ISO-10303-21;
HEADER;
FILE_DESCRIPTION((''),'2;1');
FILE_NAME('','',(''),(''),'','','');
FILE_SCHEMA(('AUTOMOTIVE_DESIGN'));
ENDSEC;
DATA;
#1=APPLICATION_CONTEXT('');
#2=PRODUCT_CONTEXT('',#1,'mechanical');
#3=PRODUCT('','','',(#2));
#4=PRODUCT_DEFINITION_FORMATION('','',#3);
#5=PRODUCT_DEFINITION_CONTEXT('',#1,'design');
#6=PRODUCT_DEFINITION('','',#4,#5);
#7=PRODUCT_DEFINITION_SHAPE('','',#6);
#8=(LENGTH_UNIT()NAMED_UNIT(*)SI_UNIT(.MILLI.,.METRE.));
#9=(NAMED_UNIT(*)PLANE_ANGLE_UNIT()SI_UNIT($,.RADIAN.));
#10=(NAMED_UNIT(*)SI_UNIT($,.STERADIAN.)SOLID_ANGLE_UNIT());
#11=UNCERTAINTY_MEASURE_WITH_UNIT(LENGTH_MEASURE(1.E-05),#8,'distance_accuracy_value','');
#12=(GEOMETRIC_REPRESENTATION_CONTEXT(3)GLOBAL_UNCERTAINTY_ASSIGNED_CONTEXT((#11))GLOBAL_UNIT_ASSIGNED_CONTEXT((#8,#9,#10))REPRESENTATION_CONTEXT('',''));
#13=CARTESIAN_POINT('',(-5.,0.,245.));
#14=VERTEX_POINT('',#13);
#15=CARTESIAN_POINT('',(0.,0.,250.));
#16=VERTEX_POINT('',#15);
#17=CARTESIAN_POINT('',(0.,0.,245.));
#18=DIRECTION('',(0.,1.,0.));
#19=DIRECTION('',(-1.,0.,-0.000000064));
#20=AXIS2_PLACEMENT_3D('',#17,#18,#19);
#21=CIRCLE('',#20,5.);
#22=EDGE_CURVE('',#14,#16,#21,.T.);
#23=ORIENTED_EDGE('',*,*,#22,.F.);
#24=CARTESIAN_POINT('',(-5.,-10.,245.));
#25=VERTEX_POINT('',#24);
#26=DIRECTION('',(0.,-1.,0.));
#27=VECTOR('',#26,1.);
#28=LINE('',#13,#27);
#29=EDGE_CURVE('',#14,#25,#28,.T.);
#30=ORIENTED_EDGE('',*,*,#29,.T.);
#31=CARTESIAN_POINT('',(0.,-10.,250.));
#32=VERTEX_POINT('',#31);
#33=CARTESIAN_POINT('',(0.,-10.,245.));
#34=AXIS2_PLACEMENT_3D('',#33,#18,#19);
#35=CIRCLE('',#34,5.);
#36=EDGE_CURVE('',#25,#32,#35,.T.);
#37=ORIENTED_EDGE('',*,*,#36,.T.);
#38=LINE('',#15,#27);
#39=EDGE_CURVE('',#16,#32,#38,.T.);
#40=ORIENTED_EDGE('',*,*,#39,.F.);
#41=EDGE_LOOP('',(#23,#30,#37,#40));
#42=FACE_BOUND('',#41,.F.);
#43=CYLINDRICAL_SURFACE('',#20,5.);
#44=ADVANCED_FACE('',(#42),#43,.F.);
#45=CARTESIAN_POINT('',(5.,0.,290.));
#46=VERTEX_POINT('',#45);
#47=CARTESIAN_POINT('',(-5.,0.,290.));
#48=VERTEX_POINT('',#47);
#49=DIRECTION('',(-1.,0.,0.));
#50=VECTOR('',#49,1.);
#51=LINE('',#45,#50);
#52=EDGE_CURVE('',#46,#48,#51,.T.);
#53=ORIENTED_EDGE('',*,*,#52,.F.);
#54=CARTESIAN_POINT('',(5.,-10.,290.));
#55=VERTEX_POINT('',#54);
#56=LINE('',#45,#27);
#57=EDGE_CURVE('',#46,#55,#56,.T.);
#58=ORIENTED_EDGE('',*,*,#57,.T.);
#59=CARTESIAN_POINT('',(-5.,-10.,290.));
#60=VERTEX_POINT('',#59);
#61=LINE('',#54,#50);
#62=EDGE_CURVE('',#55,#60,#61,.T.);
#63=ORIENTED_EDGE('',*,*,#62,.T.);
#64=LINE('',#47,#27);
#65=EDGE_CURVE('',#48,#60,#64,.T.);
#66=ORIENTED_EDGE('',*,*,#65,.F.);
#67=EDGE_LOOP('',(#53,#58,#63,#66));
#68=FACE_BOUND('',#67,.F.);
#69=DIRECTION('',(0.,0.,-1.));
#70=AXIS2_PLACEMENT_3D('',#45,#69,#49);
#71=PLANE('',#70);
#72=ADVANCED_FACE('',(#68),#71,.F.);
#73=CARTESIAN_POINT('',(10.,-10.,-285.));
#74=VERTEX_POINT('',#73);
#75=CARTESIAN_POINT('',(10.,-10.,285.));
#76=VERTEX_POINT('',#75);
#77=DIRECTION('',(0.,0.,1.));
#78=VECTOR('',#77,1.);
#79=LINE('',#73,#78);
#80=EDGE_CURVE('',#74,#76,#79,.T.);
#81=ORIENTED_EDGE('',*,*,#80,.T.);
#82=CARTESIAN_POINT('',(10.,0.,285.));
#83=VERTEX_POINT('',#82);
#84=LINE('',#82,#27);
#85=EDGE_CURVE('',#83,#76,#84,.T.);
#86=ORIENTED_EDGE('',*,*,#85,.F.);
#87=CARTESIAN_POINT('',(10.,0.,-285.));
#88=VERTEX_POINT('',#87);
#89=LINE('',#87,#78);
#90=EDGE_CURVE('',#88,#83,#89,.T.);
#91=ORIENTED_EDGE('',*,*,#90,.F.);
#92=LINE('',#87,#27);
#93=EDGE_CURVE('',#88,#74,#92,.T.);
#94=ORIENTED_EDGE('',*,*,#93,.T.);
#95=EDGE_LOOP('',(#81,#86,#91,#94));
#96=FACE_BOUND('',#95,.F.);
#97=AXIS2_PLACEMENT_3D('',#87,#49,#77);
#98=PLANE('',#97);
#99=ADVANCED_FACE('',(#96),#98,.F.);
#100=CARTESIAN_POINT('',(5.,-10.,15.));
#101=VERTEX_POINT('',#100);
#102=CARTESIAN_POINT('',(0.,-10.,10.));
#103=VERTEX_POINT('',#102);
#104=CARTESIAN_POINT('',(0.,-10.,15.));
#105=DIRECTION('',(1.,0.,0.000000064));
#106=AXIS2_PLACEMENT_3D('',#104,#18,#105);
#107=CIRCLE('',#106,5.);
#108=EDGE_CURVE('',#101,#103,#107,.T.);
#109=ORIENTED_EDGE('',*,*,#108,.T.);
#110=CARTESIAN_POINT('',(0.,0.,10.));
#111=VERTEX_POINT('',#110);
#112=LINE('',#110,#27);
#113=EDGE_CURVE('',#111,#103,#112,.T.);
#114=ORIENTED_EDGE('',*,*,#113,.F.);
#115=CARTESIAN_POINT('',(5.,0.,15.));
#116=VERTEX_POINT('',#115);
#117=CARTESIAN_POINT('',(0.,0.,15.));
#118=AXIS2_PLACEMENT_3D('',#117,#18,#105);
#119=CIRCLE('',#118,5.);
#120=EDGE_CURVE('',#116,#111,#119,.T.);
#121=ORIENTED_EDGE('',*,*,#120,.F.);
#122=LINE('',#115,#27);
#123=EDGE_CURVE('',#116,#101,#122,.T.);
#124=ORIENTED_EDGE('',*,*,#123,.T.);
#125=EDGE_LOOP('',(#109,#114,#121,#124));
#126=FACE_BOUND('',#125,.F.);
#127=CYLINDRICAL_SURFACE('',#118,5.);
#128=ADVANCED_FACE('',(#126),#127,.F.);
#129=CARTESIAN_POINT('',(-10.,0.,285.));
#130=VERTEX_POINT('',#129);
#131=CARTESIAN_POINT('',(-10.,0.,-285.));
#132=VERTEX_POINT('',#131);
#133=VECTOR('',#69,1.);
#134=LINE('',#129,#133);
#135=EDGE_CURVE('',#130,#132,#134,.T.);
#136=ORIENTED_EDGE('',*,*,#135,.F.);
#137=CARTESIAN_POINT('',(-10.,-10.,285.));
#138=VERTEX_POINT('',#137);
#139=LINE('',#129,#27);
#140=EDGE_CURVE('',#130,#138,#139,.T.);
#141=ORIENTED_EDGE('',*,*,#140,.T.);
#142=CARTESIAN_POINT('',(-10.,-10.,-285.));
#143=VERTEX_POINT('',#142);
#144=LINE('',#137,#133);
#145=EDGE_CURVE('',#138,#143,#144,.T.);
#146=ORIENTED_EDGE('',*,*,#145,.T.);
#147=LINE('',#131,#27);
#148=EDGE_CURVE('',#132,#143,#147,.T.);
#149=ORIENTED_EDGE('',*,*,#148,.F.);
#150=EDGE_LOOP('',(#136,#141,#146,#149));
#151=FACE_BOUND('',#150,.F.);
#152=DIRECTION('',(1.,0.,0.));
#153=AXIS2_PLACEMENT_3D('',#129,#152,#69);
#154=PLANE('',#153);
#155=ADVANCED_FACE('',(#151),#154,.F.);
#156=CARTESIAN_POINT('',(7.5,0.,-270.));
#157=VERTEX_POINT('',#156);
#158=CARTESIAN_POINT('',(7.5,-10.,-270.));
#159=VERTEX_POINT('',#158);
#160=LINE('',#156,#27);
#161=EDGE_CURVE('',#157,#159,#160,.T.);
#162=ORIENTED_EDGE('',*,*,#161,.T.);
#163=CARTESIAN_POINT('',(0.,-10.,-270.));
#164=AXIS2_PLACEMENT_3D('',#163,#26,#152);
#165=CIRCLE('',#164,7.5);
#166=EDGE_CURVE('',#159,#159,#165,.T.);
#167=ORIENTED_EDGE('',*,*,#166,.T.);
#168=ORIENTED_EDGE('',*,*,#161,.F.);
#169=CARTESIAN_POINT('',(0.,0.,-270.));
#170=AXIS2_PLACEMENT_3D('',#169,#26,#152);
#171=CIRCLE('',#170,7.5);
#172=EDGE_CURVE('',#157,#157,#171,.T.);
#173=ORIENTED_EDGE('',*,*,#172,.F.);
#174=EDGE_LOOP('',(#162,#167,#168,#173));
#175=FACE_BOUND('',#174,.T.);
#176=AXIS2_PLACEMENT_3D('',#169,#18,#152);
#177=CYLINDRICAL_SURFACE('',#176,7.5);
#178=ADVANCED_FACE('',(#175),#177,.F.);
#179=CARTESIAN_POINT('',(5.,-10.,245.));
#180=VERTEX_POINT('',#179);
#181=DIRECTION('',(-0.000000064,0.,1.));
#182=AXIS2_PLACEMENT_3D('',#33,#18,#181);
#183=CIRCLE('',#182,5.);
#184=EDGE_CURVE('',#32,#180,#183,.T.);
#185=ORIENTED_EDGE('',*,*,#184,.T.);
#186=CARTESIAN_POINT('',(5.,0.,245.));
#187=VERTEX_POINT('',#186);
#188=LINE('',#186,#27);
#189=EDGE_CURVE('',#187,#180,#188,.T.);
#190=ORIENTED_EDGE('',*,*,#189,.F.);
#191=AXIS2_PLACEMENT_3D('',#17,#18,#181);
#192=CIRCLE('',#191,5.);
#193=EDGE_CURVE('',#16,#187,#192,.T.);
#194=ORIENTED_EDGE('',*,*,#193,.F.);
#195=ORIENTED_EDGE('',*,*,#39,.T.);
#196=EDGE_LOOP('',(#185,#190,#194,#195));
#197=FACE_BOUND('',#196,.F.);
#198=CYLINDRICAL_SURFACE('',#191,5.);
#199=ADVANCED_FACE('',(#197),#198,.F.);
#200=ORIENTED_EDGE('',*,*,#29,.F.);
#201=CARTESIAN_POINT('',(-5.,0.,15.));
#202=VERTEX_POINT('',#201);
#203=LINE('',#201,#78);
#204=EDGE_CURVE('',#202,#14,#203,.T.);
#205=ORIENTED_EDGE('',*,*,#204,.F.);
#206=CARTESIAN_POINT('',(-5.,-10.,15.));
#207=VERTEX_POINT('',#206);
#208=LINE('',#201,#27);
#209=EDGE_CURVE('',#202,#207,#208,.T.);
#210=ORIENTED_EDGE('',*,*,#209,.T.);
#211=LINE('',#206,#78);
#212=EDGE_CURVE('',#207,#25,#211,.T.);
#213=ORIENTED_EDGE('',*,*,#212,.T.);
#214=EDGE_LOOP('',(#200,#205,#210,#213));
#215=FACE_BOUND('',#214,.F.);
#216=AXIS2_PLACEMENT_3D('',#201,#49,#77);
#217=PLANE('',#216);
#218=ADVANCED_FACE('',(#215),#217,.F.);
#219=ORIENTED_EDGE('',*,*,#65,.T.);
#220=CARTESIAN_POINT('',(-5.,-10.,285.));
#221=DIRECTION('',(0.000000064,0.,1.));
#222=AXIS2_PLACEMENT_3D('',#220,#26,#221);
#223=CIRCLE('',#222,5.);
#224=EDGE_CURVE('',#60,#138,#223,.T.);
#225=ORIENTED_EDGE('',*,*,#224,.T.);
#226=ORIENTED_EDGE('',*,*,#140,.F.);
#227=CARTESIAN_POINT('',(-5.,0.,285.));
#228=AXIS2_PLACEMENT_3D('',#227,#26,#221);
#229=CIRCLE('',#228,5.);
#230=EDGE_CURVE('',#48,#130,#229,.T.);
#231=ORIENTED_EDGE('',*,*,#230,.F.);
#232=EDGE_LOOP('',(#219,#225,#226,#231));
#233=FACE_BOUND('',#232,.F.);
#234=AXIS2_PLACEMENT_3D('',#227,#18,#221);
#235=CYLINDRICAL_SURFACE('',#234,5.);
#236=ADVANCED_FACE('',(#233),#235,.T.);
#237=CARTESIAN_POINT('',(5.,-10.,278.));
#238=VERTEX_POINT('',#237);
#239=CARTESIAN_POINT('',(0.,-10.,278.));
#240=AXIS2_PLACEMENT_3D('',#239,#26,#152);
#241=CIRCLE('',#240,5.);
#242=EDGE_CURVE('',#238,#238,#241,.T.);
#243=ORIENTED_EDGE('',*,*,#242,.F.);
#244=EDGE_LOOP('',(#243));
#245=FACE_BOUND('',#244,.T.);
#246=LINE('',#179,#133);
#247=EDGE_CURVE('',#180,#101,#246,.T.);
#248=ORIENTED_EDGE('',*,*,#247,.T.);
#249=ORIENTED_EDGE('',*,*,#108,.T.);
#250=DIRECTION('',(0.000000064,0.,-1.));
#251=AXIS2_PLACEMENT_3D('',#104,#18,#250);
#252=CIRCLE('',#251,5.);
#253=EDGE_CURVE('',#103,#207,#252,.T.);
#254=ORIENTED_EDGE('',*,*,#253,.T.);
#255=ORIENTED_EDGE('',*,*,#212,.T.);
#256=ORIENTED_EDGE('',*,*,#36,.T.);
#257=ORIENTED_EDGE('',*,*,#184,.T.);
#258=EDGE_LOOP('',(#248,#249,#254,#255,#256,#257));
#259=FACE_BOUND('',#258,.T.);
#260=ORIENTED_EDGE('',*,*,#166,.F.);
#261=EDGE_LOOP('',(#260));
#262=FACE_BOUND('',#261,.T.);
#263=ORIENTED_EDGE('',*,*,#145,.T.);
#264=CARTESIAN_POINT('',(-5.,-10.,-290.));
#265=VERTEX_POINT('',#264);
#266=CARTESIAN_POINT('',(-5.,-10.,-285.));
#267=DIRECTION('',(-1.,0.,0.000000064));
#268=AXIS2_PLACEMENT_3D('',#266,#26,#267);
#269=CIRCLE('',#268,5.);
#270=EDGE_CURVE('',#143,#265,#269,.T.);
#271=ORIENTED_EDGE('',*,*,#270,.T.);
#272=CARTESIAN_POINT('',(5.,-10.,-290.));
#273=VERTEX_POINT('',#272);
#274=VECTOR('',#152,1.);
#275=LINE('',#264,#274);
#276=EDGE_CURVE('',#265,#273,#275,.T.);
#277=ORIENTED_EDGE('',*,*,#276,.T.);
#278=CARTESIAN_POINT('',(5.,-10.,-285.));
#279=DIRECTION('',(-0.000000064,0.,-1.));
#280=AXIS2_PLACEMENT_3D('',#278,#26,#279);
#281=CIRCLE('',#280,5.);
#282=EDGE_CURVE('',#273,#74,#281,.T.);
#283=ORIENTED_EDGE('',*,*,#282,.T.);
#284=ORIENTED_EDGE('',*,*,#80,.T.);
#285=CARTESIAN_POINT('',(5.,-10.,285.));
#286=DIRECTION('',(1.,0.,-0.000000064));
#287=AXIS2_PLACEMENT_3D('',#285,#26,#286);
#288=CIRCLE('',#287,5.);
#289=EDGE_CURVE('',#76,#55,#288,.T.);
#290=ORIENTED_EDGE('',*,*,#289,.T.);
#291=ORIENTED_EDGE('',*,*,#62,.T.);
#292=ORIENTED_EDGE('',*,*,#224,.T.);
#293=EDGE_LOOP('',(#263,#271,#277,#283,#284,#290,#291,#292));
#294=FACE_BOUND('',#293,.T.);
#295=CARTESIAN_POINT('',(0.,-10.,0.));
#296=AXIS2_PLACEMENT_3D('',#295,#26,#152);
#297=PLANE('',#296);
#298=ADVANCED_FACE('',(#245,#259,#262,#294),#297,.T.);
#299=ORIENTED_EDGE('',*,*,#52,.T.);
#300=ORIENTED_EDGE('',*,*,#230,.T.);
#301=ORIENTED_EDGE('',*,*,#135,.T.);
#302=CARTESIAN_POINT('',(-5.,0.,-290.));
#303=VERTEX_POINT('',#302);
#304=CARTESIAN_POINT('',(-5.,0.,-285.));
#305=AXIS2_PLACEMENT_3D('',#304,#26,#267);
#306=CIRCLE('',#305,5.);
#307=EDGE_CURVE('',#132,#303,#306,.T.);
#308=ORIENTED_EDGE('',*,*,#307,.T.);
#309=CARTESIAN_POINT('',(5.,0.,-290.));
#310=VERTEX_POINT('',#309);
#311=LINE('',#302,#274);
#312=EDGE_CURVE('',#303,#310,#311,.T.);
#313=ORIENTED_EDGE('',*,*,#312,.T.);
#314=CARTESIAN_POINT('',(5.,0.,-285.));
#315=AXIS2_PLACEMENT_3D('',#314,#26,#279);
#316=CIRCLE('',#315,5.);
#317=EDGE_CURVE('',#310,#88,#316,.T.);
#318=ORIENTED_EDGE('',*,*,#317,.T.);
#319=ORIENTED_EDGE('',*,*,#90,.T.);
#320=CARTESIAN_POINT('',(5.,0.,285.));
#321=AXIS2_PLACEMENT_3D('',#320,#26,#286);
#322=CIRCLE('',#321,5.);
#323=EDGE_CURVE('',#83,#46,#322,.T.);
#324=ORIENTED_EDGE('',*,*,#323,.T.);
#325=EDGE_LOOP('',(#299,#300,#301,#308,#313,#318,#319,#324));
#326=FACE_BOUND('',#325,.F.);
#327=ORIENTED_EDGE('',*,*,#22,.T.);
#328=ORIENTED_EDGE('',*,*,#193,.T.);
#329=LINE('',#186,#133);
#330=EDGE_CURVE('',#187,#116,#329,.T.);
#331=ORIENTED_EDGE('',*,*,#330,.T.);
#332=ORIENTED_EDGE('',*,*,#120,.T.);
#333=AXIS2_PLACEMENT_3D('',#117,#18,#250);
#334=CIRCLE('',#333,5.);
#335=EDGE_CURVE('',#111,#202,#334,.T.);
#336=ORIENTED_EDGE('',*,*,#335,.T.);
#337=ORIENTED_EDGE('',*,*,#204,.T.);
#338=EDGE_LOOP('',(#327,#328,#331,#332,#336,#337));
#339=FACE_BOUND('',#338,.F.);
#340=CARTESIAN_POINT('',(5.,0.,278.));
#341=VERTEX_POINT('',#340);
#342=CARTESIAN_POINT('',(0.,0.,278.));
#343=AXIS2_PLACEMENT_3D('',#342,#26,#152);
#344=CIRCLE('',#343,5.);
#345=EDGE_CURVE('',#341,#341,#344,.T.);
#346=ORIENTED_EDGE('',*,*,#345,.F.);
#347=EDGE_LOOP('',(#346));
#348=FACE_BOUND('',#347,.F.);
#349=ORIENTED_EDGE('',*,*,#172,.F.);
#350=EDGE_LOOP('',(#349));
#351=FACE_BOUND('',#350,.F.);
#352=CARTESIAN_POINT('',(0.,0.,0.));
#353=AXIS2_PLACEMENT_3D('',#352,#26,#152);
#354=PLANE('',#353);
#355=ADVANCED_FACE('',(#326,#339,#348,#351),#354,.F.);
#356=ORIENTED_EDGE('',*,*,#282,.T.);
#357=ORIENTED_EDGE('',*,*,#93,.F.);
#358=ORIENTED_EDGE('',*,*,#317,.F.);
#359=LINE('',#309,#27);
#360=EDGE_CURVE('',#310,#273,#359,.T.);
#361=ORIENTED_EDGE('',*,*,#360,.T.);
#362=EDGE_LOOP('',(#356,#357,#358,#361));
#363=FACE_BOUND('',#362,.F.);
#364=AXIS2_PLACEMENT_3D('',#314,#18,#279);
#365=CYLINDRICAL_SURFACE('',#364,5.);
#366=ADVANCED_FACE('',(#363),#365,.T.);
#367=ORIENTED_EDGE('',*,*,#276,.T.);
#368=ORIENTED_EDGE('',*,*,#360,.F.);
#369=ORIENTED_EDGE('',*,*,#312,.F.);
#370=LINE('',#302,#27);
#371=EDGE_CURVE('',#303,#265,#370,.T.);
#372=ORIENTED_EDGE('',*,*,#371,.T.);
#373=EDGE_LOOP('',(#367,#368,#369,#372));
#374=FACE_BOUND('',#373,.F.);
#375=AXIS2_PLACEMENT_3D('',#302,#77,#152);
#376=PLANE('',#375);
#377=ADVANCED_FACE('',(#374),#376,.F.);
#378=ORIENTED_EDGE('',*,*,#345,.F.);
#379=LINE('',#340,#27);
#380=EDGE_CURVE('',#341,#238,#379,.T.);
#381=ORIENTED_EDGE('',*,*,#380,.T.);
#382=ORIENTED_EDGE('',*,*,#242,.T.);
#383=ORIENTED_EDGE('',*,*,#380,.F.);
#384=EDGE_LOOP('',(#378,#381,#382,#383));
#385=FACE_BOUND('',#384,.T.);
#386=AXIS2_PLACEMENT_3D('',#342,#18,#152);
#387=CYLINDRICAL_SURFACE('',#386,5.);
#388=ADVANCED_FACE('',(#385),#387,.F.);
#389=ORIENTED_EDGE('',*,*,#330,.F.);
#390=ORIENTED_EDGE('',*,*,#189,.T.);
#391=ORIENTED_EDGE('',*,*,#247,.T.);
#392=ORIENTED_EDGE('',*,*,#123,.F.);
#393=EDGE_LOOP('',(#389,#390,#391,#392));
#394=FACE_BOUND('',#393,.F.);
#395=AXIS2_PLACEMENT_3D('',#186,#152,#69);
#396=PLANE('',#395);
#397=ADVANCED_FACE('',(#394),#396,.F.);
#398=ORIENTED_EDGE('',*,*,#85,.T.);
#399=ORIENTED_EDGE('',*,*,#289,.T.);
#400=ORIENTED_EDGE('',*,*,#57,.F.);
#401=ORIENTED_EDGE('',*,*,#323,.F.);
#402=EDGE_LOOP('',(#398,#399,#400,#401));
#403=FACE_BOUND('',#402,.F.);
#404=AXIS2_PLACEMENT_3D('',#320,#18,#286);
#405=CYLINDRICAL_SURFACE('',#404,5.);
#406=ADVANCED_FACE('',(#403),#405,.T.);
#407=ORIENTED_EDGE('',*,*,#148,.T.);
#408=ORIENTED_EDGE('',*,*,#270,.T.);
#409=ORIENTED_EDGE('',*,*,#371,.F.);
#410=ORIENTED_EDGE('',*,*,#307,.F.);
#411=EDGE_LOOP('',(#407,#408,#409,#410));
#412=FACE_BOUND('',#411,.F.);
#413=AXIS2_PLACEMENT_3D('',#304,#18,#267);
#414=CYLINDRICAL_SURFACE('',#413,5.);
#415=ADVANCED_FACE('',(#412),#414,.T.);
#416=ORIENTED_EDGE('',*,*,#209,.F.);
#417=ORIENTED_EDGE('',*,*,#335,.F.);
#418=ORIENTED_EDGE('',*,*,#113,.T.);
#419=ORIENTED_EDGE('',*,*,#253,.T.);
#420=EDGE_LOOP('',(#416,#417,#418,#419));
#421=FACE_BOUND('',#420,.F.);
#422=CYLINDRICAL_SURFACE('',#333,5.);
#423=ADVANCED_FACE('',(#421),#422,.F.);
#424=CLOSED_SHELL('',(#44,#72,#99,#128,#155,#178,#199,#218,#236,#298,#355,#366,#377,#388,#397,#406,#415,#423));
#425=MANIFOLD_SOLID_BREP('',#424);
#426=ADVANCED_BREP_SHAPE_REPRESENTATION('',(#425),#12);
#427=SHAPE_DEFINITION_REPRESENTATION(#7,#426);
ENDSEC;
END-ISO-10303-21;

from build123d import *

# Parameters (mm, degrees)
F0_R     = 7.5
F0_R_2   = 5
F1_DEPTH = 10


with BuildPart() as f1:
    # F0 (on Front) → F1 (new body)
    with BuildSketch(Plane.XZ):
        with BuildLine():
            ThreePointArc((10, 285), (8.535534, 288.535534), (5, 290))
            Line((5, 290), (-5, 290))
            ThreePointArc((-5, 290), (-8.535534, 288.535534), (-10, 285))
            Line((-10, 285), (-10, -285))
            ThreePointArc((-10, -285), (-8.535534, -288.535534), (-5, -290))
            Line((-5, -290), (5, -290))
            ThreePointArc((5, -290), (8.535534, -288.535534), (10, -285))
            Line((10, -285), (10, 285))
        make_face()
        with Locations((0, -270)):
            Circle(F0_R, mode=Mode.SUBTRACT)
        with BuildLine():
            Line((5, 245), (5, 15))
            ThreePointArc((5, 15), (3.535534, 11.464466), (0, 10))
            ThreePointArc((0, 10), (-3.535534, 11.464466), (-5, 15))
            Line((-5, 15), (-5, 245))
            ThreePointArc((-5, 245), (-3.535534, 248.535534), (0, 250))
            ThreePointArc((0, 250), (3.535534, 248.535534), (5, 245))
        make_face(mode=Mode.SUBTRACT)
        with Locations((0, 278)):
            Circle(F0_R_2, mode=Mode.SUBTRACT)
    extrude(amount=F1_DEPTH)


solid = f1.part
